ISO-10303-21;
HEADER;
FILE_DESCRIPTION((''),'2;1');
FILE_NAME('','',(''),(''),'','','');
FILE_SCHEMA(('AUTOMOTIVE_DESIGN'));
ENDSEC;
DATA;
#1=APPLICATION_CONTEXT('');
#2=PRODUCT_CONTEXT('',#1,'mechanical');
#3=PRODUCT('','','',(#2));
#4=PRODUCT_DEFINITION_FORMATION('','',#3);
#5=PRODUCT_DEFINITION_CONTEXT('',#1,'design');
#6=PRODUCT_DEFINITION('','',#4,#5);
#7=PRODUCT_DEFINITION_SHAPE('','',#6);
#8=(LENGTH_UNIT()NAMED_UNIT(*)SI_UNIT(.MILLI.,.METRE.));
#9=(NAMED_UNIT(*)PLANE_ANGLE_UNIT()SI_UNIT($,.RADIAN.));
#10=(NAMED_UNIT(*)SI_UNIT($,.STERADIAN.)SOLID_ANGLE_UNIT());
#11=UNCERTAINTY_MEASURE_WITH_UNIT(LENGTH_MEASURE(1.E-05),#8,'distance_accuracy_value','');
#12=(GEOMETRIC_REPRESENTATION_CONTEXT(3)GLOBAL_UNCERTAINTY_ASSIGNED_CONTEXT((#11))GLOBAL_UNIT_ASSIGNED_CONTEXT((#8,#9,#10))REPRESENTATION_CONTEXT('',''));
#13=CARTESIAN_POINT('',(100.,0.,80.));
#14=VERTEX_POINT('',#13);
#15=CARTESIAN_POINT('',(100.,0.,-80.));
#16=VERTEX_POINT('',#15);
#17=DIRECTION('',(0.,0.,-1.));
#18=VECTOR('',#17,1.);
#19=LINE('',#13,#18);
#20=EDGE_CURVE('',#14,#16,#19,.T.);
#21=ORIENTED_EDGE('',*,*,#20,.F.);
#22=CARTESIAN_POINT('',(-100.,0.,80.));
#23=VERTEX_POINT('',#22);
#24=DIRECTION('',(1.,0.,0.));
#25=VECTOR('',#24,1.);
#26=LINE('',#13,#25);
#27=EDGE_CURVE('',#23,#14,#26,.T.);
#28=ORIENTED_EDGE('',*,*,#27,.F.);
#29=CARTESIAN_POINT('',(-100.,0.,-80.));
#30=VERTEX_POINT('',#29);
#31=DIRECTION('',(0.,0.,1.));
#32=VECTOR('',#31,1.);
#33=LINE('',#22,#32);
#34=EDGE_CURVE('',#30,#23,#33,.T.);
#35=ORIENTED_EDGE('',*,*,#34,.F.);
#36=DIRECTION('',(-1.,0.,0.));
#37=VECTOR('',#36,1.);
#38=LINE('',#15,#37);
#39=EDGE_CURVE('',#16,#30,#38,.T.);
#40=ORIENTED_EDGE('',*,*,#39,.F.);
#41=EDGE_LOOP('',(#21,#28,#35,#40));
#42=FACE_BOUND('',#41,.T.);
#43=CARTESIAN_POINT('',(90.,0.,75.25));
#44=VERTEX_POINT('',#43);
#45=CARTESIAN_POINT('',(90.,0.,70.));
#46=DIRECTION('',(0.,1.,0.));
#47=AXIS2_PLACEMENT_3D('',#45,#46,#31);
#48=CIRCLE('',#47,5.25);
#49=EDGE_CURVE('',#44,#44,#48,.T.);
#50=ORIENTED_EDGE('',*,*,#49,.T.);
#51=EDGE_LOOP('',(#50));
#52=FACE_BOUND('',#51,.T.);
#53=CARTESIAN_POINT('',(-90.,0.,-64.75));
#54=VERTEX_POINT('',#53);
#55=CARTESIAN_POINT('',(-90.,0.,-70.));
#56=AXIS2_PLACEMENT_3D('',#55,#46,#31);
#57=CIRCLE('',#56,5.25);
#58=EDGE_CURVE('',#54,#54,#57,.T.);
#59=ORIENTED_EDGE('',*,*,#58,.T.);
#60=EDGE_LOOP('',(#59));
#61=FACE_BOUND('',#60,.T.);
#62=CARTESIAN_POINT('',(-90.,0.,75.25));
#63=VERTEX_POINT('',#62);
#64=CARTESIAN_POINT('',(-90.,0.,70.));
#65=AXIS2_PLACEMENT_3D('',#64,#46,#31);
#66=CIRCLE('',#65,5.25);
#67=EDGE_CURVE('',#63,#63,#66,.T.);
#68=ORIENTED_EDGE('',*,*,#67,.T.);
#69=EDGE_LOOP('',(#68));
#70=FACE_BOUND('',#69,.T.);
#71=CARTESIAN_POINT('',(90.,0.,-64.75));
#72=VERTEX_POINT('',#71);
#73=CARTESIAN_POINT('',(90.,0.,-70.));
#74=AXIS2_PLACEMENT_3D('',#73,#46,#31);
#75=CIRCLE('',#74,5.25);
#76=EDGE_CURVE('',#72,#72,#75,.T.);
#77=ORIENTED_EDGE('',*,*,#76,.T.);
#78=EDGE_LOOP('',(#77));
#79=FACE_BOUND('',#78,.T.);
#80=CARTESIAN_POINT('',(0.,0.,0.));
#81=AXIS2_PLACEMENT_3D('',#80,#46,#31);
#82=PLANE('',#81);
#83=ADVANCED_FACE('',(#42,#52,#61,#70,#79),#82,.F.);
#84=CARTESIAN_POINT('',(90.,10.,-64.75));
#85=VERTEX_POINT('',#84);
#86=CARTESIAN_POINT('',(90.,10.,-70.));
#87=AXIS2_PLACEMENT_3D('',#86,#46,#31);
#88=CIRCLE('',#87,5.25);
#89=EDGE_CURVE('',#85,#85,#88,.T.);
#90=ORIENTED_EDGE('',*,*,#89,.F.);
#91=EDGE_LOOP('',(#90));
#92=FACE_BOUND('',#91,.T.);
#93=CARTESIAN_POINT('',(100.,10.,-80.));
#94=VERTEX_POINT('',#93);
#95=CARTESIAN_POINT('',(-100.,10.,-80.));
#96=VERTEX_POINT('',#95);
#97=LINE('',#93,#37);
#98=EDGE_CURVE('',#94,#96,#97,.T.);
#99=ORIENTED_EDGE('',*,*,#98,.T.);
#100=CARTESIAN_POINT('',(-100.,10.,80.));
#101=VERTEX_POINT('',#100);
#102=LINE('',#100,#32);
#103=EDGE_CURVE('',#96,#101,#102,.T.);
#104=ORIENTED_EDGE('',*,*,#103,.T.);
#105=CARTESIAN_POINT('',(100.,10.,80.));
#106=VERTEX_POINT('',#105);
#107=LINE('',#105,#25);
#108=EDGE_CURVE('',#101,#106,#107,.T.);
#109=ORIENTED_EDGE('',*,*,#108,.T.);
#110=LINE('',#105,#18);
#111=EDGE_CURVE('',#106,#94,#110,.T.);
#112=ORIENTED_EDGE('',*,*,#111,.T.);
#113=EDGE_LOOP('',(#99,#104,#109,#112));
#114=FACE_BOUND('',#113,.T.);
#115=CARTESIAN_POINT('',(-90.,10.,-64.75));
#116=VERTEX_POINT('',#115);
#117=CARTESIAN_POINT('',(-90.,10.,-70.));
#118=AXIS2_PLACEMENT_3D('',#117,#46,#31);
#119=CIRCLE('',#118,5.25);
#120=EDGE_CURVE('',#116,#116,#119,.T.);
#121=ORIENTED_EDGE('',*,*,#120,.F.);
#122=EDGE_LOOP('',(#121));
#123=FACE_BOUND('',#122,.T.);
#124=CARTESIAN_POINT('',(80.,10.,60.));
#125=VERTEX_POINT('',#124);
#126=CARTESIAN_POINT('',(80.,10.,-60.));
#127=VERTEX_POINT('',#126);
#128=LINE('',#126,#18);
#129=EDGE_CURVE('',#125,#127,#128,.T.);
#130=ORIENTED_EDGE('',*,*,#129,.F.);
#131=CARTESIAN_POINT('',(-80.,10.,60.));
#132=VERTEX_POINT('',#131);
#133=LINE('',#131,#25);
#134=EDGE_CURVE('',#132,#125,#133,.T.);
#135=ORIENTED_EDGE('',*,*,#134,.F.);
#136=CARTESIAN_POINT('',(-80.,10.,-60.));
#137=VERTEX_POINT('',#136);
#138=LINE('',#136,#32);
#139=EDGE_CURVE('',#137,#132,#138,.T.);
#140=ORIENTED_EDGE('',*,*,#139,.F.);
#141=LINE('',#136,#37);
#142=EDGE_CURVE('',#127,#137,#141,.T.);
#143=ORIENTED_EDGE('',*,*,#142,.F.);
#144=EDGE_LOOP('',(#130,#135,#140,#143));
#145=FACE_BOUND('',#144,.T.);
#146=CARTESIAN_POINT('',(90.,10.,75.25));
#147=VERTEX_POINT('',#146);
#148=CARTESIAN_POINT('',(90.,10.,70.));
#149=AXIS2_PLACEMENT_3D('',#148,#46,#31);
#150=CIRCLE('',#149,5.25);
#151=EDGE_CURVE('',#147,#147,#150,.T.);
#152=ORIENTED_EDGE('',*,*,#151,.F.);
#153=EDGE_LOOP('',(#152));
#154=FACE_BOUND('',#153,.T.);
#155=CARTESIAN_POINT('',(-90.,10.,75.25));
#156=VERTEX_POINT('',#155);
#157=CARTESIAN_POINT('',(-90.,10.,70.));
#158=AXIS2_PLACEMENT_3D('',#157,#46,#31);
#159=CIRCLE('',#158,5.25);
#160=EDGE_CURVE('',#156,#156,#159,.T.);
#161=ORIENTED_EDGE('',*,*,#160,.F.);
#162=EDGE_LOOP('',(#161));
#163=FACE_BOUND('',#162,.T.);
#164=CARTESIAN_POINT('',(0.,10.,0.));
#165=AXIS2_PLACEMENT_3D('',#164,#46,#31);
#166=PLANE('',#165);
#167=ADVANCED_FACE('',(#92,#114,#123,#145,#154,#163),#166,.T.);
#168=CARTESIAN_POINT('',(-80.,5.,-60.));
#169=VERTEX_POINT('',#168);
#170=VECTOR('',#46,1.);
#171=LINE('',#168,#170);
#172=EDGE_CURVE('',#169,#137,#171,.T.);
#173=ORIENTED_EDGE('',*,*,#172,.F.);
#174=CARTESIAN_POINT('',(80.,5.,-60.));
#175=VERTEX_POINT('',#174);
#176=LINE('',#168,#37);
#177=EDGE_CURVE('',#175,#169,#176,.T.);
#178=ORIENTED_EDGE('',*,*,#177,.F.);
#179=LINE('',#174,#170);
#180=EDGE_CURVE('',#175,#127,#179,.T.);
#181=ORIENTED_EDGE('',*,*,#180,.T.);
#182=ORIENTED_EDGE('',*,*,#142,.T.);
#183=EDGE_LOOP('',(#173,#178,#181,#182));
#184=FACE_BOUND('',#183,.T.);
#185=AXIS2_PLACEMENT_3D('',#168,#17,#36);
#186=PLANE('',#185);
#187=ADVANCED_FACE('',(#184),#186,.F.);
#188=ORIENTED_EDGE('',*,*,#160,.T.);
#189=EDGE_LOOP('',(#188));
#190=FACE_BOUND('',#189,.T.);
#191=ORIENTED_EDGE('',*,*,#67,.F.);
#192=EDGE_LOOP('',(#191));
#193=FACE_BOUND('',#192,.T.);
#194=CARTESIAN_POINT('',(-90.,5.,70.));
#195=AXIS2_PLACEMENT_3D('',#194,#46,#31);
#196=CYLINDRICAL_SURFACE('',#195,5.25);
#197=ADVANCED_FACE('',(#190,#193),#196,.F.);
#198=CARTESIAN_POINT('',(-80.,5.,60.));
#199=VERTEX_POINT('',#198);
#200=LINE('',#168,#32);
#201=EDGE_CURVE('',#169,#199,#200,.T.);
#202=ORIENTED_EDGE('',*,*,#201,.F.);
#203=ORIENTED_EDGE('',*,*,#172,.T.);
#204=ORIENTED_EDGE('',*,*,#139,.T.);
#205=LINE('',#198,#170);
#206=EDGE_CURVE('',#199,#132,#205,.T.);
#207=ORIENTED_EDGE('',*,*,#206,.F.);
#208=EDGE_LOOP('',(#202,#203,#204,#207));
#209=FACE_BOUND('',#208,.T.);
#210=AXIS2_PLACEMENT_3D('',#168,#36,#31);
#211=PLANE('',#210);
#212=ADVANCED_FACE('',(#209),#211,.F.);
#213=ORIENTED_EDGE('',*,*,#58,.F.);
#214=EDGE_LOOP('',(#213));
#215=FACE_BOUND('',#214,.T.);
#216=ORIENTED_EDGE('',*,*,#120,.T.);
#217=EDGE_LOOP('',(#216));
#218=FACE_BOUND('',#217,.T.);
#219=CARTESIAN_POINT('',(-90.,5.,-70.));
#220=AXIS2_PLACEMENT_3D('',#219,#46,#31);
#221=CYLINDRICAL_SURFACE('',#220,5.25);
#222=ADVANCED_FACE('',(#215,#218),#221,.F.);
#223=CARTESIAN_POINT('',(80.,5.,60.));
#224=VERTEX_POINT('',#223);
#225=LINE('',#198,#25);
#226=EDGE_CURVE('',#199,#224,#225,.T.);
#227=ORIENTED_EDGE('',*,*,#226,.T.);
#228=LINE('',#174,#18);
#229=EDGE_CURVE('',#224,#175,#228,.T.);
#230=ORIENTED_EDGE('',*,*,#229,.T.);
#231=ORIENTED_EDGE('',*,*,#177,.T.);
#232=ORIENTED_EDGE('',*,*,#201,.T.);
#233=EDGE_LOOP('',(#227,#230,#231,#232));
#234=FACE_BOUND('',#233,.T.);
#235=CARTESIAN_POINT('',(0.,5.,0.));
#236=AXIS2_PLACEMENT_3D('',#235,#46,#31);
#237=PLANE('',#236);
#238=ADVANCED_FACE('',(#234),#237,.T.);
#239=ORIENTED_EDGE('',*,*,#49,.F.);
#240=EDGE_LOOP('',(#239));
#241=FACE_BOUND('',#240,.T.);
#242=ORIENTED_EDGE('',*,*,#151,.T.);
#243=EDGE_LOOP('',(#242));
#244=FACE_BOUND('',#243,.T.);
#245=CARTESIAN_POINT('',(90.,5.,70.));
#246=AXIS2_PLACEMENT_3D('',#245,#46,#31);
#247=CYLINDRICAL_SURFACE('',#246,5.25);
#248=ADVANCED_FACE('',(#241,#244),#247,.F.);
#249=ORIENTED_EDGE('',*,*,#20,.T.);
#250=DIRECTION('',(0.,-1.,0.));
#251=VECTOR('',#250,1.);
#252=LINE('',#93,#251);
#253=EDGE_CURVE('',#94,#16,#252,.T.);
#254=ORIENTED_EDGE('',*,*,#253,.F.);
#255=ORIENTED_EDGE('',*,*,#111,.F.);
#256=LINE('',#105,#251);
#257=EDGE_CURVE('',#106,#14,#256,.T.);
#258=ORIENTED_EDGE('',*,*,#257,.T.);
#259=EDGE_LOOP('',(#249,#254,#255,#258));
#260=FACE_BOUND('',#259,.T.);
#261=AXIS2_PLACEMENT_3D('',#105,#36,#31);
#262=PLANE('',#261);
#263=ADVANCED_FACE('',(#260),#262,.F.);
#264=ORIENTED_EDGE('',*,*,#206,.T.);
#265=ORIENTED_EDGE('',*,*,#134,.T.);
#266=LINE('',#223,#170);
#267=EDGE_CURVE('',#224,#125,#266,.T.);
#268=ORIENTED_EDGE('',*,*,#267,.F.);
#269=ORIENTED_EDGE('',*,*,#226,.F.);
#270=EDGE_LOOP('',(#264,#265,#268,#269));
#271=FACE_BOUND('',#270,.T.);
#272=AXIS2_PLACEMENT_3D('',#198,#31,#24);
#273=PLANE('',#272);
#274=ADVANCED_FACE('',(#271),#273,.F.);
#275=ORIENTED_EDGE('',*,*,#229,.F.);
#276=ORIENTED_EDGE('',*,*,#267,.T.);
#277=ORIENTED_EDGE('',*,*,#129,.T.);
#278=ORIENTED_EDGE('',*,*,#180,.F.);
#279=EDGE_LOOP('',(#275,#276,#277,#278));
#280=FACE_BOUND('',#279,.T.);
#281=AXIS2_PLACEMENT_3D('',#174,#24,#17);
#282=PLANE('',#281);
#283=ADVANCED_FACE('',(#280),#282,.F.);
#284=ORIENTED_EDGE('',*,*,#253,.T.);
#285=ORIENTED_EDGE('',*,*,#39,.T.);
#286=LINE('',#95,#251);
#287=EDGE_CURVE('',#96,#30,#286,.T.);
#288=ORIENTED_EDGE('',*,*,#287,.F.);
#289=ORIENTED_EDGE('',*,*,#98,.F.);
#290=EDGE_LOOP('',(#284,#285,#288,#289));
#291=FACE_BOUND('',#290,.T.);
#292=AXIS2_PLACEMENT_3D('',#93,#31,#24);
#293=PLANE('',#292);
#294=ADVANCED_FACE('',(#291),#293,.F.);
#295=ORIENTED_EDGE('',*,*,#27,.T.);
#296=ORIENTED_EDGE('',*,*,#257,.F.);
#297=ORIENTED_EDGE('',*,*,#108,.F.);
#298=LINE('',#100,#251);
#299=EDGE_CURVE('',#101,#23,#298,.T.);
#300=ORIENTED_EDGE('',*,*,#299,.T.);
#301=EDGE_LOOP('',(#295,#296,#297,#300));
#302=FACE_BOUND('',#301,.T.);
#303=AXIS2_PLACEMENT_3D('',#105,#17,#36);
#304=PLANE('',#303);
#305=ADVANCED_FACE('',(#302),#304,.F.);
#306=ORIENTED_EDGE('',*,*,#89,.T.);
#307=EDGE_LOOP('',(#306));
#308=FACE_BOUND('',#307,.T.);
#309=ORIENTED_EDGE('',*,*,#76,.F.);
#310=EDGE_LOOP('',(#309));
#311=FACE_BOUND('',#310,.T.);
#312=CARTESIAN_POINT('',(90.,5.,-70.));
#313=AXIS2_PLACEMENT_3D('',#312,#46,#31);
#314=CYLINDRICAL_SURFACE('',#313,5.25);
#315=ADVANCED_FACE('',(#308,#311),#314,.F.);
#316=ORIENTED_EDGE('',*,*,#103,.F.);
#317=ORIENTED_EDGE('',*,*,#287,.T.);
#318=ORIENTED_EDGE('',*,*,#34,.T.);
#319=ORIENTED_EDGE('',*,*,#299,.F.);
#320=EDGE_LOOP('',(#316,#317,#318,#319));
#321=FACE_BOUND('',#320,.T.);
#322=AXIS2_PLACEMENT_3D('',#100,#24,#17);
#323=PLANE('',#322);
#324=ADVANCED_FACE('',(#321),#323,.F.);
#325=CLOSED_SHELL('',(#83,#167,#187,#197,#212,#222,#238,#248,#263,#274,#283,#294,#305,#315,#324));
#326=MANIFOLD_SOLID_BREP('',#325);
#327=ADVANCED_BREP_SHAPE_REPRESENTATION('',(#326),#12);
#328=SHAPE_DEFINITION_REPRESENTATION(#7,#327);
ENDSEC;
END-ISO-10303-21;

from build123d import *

# Parameters (mm, degrees)
SKETCH1_W           = 200
SKETCH1_H           = 160
BOSS_EXTRUDE3_DEPTH = 10
SKETCH3_R           = 5.25
SKETCH3_W           = 160
SKETCH3_H           = 120
CUT_EXTRUDE2_DEPTH  = 5
SKETCH6_R           = 5.25
CUT_EXTRUDE4_DEPTH  = 129.16005618


with BuildPart() as part:
    # Sketch1 → Boss-Extrude3 (new body)
    with BuildSketch(Plane(origin=(0, 0, 0), x_dir=(1, 0, 0), z_dir=(0, 1, 0))):
        Rectangle(SKETCH1_W, SKETCH1_H)
    extrude(amount=BOSS_EXTRUDE3_DEPTH)

    # Sketch3 → Cut-Extrude2 (cut)
    with BuildSketch(Plane(origin=(0, 10, 0), x_dir=(1, 0, 0), z_dir=(0, 1, 0))):
        with Locations(Location((-90, 70, 0), (0, 0, 270))):
            Circle(SKETCH3_R)
        with Locations(Location((90, -70, 0), (0, 0, 270))):
            Circle(SKETCH3_R)
        with Locations(Location((90, 70, 0), (0, 0, 270))):
            Circle(SKETCH3_R)
        with Locations(Location((-90, -70, 0), (0, 0, 270))):
            Circle(SKETCH3_R)
        Rectangle(SKETCH3_W, SKETCH3_H)
    extrude(amount=-CUT_EXTRUDE2_DEPTH, mode=Mode.SUBTRACT)

    # Sketch6 → Cut-Extrude4 (cut, through all)
    with BuildSketch(Plane(origin=(0, 5, 0), x_dir=(1, 0, 0), z_dir=(0, 1, 0))):
        with Locations(Location((-90, 70, 0), (0, 0, 270))):
            Circle(SKETCH6_R)
        with Locations(Location((90, 70, 0), (0, 0, 270))):
            Circle(SKETCH6_R)
        with Locations(Location((90, -70, 0), (0, 0, 270))):
            Circle(SKETCH6_R)
        with Locations(Location((-90, -70, 0), (0, 0, 270))):
            Circle(SKETCH6_R)
    extrude(amount=-CUT_EXTRUDE4_DEPTH, mode=Mode.SUBTRACT)


solid = part.part
